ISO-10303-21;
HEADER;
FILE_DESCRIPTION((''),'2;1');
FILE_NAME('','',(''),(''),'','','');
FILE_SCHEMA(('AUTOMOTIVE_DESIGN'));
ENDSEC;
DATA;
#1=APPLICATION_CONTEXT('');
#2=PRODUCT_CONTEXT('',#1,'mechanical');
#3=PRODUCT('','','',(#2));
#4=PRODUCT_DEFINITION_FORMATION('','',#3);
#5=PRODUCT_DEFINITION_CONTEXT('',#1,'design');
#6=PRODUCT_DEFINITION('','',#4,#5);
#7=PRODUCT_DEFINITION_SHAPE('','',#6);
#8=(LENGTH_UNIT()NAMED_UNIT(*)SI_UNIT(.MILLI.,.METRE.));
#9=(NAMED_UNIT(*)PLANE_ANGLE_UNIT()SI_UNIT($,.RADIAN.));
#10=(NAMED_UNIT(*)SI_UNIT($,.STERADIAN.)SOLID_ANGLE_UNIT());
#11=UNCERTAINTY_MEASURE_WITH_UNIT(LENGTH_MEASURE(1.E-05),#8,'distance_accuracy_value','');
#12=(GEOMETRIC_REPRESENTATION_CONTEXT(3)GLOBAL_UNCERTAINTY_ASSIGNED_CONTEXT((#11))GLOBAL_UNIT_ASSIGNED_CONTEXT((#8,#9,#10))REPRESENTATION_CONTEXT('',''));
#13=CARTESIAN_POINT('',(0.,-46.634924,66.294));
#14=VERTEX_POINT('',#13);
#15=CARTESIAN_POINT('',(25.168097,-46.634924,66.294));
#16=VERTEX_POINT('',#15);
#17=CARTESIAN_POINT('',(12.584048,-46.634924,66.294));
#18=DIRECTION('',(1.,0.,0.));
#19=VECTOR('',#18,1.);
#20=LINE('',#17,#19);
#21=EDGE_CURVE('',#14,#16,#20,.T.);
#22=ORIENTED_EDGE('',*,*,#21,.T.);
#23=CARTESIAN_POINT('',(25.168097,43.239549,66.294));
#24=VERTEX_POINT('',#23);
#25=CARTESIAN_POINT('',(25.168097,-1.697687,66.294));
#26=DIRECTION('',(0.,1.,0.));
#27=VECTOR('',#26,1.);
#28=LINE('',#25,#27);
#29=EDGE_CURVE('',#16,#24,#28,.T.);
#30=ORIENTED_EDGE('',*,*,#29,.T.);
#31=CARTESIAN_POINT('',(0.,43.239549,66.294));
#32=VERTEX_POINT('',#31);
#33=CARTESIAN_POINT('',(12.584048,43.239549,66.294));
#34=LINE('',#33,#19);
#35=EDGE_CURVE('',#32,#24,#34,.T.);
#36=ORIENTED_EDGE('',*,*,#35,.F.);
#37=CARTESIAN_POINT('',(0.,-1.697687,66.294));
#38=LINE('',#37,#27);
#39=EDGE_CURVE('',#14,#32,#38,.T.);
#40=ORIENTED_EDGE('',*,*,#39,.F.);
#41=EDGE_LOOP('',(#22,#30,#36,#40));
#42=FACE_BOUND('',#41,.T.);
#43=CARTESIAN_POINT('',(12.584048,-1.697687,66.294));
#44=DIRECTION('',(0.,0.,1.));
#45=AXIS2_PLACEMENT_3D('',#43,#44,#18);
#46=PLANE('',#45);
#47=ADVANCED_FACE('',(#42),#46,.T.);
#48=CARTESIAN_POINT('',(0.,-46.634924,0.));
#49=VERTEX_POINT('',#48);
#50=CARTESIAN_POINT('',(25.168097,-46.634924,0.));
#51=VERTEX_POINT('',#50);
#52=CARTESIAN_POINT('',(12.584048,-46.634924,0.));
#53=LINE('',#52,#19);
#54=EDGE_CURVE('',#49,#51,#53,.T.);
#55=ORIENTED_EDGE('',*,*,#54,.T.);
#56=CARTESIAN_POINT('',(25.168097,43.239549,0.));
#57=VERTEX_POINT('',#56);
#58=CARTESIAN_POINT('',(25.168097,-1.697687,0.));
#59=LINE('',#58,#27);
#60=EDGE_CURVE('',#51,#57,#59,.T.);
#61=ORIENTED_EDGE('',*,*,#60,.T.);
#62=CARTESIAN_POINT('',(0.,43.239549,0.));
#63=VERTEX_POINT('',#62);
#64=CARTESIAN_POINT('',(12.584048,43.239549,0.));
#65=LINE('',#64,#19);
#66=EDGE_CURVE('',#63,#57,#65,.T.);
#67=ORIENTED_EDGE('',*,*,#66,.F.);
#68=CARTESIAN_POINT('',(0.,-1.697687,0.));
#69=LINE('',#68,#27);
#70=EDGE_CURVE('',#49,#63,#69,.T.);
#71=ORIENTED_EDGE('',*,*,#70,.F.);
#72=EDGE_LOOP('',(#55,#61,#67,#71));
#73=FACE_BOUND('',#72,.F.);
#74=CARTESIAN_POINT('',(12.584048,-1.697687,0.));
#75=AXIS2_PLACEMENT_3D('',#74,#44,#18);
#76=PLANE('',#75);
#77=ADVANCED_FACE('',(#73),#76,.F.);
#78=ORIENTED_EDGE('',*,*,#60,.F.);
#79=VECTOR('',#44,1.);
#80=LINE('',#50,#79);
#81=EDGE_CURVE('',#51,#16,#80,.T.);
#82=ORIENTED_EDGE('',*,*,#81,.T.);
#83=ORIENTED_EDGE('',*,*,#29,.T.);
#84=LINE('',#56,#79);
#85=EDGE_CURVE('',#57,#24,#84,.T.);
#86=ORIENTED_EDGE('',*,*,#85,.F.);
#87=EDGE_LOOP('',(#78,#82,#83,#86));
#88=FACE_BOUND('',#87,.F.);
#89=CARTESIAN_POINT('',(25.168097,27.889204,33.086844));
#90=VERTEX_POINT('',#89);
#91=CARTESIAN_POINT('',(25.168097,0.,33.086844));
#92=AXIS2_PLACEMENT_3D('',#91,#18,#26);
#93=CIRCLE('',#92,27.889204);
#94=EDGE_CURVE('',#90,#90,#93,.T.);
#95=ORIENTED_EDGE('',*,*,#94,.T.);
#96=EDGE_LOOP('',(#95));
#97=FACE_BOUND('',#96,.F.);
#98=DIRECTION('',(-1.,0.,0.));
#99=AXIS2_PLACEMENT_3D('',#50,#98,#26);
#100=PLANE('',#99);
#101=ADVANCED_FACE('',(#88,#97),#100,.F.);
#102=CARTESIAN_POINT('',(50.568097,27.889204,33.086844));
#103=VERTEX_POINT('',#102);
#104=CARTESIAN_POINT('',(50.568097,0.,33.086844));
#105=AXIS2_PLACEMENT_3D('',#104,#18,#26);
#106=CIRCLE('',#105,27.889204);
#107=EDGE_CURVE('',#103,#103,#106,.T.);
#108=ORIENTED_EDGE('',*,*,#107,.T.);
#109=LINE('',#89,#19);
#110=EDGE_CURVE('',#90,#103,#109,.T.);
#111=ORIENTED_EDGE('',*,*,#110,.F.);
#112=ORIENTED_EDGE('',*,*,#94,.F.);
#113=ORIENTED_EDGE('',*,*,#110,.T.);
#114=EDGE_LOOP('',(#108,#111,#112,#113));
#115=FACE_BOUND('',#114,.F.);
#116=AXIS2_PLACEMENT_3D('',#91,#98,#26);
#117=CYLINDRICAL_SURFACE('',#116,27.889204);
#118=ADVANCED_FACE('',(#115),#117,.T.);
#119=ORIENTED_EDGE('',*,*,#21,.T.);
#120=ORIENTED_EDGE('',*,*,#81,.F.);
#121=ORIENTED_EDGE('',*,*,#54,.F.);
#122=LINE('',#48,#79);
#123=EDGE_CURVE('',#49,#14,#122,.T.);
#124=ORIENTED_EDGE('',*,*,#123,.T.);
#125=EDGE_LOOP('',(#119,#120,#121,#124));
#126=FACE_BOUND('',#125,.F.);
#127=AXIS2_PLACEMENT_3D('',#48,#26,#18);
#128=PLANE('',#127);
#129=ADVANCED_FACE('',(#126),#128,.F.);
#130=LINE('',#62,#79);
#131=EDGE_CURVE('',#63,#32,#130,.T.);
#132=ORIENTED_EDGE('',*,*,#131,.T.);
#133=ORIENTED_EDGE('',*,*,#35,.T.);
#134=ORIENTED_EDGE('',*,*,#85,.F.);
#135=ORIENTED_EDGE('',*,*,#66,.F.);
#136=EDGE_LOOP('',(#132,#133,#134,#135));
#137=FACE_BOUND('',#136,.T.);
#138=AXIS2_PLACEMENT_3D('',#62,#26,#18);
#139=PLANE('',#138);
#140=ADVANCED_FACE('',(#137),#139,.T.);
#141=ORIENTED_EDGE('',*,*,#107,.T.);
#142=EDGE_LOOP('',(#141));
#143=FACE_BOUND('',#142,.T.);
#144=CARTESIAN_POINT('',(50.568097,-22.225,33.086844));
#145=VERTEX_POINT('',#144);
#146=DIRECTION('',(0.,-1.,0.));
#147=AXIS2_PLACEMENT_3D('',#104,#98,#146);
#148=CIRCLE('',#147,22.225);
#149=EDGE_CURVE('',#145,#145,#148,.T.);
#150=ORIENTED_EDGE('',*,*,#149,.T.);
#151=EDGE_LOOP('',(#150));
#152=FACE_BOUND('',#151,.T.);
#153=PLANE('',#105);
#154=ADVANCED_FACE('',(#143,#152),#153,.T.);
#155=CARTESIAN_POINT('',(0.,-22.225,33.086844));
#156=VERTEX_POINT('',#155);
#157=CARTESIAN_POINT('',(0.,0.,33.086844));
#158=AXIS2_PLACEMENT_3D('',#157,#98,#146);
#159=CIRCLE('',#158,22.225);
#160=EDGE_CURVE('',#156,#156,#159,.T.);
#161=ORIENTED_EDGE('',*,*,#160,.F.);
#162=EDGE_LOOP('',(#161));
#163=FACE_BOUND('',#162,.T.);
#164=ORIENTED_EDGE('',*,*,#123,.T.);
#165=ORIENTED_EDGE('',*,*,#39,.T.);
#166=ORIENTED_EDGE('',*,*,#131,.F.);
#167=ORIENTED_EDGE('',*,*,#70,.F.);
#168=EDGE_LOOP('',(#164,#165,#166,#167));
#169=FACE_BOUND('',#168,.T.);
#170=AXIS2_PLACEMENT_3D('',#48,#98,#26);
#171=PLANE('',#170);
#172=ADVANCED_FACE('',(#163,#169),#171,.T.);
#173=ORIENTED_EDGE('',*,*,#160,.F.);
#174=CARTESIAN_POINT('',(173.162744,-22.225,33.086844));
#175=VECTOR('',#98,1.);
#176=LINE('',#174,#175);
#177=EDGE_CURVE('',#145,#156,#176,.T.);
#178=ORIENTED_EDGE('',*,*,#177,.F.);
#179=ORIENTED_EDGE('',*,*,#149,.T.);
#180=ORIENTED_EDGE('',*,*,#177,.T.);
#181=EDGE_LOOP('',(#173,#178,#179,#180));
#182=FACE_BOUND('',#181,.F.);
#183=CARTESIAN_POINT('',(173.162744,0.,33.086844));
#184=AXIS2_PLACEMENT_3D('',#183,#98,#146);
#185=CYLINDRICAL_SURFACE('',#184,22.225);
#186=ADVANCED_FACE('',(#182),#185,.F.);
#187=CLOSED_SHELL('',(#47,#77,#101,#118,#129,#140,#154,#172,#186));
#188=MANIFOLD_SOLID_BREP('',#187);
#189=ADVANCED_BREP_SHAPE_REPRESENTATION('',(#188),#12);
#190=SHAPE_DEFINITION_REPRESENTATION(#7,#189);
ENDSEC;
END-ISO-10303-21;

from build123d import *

# Parameters (mm, degrees)
F0_W     = 25.1680966467
F0_H     = 89.8744724691
F1_DEPTH = 66.294
F2_R     = 27.8892037899
F3_DEPTH = 25.4
F5_D     = 44.45


with BuildPart() as f1:
    # F0 (on Top) → F1 (new body)
    with BuildSketch(Plane.XY):
        with Locations((12.5840483233, -1.6976874322)):
            Rectangle(F0_W, F0_H)
    extrude(amount=F1_DEPTH)

    # F2 (on face) → F3 (join)
    with BuildSketch(Plane.YZ.offset(25.1680966467)):
        with Locations((0, 33.0868437886)):
            Circle(F2_R)
    extrude(amount=F3_DEPTH)

    # F5 (through all)
    with Locations(Plane.YZ.offset(50.5680966467)):
        with Locations((0, 33.0868437886)):
            Hole(F5_D / 2)


solid = f1.part
